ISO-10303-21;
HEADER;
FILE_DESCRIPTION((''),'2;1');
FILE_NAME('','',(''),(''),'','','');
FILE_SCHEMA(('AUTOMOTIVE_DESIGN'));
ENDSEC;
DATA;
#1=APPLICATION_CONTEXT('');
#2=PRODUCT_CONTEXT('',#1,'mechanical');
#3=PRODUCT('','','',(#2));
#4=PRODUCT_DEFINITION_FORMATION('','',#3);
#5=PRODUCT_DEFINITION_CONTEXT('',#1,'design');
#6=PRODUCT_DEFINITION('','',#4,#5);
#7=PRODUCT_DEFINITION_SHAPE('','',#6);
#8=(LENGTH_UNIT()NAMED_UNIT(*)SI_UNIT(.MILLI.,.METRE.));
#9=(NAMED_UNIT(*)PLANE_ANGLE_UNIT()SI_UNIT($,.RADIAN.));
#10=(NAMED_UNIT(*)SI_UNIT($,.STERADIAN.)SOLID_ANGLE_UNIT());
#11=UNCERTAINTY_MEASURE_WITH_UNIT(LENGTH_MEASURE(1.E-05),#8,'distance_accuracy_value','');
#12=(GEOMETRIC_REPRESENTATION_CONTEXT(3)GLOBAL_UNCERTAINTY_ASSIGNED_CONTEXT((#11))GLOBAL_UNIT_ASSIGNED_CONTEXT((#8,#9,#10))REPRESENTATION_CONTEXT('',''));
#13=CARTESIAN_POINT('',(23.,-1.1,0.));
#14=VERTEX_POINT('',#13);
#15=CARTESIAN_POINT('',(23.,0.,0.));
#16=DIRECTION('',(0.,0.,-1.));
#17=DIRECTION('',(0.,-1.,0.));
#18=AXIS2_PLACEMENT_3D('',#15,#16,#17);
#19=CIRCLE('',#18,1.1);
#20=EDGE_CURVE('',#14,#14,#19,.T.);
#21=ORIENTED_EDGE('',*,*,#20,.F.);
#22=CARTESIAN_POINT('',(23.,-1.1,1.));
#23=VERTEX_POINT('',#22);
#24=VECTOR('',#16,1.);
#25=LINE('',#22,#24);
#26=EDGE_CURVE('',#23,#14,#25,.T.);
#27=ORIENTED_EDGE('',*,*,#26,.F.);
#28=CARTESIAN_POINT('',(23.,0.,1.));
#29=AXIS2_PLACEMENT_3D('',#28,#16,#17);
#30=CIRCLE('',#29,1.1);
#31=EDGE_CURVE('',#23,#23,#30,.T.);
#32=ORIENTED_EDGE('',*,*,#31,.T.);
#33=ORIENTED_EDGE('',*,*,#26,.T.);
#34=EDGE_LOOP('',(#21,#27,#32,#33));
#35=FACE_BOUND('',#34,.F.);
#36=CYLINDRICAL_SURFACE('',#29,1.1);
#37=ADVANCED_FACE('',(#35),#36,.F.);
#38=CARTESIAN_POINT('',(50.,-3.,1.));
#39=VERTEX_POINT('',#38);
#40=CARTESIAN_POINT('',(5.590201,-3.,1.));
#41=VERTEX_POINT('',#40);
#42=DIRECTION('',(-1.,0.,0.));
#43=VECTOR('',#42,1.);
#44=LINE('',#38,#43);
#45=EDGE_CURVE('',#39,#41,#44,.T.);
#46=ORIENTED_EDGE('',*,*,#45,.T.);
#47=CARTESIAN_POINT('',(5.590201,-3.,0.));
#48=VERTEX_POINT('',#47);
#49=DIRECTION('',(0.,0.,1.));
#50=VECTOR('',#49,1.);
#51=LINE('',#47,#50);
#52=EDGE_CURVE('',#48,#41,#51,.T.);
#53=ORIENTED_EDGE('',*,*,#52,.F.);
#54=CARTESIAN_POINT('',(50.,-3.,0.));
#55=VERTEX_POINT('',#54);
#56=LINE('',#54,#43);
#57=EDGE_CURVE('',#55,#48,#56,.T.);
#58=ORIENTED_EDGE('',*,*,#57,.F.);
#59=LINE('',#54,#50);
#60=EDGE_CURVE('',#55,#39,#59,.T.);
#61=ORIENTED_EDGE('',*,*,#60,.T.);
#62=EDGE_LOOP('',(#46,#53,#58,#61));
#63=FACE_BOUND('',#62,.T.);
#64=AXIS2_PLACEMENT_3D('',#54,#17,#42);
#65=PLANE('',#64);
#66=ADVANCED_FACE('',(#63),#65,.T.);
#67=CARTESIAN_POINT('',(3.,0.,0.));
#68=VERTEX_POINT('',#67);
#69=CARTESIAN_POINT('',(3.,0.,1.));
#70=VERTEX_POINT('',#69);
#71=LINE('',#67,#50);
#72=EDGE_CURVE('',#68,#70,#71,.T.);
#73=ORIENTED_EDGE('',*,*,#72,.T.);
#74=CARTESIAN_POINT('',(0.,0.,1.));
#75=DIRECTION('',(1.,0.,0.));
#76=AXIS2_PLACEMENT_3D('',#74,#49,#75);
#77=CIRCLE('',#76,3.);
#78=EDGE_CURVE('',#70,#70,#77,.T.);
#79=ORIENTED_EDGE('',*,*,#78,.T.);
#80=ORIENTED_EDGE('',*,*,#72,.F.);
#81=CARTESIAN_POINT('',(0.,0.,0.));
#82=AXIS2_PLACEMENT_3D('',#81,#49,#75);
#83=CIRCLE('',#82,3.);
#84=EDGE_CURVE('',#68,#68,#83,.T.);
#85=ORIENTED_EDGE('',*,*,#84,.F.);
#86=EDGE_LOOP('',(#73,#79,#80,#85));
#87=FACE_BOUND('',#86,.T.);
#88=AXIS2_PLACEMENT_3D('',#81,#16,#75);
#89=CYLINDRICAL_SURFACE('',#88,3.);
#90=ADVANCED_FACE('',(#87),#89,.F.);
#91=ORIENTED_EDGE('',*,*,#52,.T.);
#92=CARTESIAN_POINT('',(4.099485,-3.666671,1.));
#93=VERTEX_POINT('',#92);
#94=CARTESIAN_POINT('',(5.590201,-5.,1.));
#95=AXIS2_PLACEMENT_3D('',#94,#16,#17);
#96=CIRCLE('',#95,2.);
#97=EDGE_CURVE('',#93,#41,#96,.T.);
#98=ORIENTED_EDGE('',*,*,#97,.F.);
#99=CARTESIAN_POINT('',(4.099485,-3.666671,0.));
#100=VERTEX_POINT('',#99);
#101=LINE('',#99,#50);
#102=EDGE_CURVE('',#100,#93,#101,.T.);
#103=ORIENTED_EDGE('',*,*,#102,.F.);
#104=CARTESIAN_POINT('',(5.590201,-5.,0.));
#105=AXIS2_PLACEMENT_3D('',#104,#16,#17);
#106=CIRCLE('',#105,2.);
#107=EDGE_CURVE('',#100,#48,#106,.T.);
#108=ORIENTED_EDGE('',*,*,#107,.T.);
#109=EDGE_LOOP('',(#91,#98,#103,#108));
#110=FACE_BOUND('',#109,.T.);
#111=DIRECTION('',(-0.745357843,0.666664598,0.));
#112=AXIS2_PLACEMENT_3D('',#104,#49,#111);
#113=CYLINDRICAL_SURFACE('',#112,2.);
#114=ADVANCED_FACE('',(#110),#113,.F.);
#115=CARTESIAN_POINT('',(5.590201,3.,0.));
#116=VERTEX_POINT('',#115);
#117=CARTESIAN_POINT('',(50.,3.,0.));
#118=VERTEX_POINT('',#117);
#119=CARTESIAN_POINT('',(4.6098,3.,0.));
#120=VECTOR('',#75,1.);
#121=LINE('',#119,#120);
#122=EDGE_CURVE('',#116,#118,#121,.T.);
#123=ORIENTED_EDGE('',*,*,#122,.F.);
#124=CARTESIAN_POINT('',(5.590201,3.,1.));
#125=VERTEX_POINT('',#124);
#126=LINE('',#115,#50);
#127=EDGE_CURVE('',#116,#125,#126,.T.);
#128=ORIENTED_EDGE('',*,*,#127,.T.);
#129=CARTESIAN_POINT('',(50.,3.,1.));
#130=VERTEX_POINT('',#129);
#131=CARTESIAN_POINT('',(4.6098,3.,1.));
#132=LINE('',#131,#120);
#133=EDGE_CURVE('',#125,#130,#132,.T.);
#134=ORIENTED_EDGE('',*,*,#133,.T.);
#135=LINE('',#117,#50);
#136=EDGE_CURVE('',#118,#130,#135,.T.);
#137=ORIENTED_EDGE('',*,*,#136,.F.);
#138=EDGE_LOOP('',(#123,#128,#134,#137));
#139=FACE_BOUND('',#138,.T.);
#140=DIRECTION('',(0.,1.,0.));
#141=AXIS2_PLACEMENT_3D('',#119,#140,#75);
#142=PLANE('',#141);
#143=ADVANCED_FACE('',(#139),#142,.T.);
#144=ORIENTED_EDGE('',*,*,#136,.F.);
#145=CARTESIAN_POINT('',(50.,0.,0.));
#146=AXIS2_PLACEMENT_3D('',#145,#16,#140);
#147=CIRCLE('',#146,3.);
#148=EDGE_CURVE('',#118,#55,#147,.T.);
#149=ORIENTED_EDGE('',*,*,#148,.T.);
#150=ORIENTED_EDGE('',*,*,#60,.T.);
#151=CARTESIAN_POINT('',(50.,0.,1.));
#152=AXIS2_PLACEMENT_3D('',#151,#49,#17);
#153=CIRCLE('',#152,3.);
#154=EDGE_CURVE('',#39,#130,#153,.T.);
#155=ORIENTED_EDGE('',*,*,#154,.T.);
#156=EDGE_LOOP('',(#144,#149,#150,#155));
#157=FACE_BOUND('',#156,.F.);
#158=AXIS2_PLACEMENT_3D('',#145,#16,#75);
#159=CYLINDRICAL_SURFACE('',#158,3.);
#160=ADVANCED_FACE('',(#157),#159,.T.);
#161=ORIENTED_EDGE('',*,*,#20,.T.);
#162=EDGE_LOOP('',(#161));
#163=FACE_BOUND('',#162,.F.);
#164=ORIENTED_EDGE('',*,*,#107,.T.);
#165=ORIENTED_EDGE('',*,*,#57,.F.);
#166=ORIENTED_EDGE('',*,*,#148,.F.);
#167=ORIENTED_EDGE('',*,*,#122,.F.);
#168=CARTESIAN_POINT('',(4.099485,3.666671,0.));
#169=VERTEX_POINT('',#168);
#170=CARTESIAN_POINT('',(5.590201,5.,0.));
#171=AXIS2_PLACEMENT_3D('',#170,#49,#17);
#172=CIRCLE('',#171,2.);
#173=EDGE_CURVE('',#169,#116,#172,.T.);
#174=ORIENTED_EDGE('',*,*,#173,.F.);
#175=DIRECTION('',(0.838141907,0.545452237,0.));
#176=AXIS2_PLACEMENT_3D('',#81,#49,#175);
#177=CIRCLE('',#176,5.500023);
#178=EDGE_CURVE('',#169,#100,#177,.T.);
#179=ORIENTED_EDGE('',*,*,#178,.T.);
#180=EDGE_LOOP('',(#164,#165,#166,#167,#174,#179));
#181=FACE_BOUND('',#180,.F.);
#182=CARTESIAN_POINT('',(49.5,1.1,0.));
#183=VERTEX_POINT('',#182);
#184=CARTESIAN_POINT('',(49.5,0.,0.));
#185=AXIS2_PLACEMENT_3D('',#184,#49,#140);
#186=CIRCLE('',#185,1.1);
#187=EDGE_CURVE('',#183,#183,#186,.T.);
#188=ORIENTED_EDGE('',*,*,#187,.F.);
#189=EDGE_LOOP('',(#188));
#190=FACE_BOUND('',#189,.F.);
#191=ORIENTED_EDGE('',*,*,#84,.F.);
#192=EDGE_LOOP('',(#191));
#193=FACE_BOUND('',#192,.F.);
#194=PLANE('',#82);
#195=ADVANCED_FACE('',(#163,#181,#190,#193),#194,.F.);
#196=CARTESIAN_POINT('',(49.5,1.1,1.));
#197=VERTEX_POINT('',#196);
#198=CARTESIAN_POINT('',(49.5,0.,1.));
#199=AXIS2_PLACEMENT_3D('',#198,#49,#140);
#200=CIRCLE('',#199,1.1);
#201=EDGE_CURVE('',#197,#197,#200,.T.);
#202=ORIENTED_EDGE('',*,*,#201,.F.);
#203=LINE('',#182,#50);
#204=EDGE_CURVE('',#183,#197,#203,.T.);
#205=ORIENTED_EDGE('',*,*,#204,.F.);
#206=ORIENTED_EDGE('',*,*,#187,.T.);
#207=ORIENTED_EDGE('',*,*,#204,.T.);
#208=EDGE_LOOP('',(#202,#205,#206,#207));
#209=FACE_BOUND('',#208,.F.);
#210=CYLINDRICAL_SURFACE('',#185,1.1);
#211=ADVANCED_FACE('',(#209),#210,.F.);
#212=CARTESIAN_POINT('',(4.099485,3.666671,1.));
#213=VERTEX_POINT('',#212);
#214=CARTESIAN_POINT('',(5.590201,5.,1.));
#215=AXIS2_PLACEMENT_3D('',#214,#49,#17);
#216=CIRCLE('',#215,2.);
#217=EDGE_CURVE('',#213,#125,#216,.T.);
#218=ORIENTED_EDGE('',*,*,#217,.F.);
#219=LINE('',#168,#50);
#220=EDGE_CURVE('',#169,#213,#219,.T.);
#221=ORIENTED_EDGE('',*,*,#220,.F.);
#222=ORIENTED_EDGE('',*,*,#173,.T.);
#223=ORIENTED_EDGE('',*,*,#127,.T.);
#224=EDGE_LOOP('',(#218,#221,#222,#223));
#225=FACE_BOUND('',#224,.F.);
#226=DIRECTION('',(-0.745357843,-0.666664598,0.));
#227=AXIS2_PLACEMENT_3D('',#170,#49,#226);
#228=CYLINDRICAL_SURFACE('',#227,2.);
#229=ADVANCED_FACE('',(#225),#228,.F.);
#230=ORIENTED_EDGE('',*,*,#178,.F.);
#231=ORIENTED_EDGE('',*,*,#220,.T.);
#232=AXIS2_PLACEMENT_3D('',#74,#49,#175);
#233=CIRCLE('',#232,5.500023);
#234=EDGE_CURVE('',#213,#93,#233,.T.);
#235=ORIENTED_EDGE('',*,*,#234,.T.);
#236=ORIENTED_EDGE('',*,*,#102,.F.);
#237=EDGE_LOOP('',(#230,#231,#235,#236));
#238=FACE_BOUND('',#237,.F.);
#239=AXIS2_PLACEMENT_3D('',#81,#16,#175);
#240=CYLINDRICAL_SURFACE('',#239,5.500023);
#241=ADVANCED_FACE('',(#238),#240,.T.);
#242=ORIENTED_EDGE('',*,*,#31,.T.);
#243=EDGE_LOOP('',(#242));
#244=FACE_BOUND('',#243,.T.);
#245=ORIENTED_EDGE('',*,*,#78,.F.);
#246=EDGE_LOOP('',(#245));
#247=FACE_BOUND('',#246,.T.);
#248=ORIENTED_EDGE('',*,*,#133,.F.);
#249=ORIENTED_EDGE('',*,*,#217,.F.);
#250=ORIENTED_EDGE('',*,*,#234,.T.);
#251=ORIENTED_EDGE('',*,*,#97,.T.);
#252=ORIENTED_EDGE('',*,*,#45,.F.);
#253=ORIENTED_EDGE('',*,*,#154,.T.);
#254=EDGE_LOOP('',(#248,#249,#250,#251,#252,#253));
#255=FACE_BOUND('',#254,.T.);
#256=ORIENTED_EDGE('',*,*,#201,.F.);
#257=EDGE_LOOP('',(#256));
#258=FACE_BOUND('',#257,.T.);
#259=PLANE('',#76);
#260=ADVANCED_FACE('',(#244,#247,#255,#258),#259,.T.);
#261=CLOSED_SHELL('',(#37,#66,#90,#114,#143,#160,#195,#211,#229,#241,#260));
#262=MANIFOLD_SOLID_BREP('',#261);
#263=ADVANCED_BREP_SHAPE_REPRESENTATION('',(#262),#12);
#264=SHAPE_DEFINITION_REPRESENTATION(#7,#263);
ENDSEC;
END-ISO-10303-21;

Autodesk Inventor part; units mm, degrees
ref_plane "YZ Plane" through (0, 0, 0) normal (1, 0, 0) x (0, 1, 0)
ref_plane "XZ Plane" through (0, 0, 0) normal (0, 1, 0) x (-1, 0, 0)
ref_plane "XY Plane" through (0, 0, 0) normal (0, 0, 1) x (1, 0, 0)
sketch "Skizze1" plane through (0, 0, 0) normal (0, 0, 1) x (1, 0, 0)
  line L0 (0, 0) -> (38.7995, 0) construction
  arc A0 (4.6098, 3) -> (4.6098, -3) centre (0, 0) ccw
  circle A1 centre (0, 0) radius 3
  line L1 (4.6098, 3) -> (4.6098, -3)
  line L2 (4.6098, 3) -> (50, 3)
  line L3 (53, 0) -> (53, 0)
  line L4 (50, -3) -> (4.6098, -3)
  arc A2 (53, 0) -> (50, 3) centre (50, 0) ccw
  arc A3 (50, -3) -> (53, 0) centre (50, 0) ccw
  point P0 (53, 0)
  dimension "d1" = 6
  dimension "d4" = 6
  dimension "d5" = 5.5
  dimension "d6" = 3
  dimension "d7" = 50
extrude "Extrusion1" add sketch "Skizze1" along normal blind 1
fillet "Rundung1" radius 2 2 edges at (4.6098, 3, 0.5) (4.6098, -3, 0.5)
sketch "Skizze3" plane through (0, 0, 0) normal (0, 0, -1) x (-1, 0, 0)
  point P0 (0, 0)
  point P1 (-49.5, 0)
  dimension "d26" = 49.5
hole "Bohrung2" at (49.5, 0, 0) direction (0, 0, 1) diameter 2.2 depth 1
sketch "Skizze2" plane through (0, 0, 1) normal (0, 0, 1) x (1, 0, 0)
  point P0 (0, 0)
  point P1 (23, 0)
  dimension "d18" = 23
hole "Bohrung1" at (23, 0, 1) direction (0, 0, -1) diameter 2.2 depth 1
properties part number "pleuel" material "Edelstahl, 440C"
